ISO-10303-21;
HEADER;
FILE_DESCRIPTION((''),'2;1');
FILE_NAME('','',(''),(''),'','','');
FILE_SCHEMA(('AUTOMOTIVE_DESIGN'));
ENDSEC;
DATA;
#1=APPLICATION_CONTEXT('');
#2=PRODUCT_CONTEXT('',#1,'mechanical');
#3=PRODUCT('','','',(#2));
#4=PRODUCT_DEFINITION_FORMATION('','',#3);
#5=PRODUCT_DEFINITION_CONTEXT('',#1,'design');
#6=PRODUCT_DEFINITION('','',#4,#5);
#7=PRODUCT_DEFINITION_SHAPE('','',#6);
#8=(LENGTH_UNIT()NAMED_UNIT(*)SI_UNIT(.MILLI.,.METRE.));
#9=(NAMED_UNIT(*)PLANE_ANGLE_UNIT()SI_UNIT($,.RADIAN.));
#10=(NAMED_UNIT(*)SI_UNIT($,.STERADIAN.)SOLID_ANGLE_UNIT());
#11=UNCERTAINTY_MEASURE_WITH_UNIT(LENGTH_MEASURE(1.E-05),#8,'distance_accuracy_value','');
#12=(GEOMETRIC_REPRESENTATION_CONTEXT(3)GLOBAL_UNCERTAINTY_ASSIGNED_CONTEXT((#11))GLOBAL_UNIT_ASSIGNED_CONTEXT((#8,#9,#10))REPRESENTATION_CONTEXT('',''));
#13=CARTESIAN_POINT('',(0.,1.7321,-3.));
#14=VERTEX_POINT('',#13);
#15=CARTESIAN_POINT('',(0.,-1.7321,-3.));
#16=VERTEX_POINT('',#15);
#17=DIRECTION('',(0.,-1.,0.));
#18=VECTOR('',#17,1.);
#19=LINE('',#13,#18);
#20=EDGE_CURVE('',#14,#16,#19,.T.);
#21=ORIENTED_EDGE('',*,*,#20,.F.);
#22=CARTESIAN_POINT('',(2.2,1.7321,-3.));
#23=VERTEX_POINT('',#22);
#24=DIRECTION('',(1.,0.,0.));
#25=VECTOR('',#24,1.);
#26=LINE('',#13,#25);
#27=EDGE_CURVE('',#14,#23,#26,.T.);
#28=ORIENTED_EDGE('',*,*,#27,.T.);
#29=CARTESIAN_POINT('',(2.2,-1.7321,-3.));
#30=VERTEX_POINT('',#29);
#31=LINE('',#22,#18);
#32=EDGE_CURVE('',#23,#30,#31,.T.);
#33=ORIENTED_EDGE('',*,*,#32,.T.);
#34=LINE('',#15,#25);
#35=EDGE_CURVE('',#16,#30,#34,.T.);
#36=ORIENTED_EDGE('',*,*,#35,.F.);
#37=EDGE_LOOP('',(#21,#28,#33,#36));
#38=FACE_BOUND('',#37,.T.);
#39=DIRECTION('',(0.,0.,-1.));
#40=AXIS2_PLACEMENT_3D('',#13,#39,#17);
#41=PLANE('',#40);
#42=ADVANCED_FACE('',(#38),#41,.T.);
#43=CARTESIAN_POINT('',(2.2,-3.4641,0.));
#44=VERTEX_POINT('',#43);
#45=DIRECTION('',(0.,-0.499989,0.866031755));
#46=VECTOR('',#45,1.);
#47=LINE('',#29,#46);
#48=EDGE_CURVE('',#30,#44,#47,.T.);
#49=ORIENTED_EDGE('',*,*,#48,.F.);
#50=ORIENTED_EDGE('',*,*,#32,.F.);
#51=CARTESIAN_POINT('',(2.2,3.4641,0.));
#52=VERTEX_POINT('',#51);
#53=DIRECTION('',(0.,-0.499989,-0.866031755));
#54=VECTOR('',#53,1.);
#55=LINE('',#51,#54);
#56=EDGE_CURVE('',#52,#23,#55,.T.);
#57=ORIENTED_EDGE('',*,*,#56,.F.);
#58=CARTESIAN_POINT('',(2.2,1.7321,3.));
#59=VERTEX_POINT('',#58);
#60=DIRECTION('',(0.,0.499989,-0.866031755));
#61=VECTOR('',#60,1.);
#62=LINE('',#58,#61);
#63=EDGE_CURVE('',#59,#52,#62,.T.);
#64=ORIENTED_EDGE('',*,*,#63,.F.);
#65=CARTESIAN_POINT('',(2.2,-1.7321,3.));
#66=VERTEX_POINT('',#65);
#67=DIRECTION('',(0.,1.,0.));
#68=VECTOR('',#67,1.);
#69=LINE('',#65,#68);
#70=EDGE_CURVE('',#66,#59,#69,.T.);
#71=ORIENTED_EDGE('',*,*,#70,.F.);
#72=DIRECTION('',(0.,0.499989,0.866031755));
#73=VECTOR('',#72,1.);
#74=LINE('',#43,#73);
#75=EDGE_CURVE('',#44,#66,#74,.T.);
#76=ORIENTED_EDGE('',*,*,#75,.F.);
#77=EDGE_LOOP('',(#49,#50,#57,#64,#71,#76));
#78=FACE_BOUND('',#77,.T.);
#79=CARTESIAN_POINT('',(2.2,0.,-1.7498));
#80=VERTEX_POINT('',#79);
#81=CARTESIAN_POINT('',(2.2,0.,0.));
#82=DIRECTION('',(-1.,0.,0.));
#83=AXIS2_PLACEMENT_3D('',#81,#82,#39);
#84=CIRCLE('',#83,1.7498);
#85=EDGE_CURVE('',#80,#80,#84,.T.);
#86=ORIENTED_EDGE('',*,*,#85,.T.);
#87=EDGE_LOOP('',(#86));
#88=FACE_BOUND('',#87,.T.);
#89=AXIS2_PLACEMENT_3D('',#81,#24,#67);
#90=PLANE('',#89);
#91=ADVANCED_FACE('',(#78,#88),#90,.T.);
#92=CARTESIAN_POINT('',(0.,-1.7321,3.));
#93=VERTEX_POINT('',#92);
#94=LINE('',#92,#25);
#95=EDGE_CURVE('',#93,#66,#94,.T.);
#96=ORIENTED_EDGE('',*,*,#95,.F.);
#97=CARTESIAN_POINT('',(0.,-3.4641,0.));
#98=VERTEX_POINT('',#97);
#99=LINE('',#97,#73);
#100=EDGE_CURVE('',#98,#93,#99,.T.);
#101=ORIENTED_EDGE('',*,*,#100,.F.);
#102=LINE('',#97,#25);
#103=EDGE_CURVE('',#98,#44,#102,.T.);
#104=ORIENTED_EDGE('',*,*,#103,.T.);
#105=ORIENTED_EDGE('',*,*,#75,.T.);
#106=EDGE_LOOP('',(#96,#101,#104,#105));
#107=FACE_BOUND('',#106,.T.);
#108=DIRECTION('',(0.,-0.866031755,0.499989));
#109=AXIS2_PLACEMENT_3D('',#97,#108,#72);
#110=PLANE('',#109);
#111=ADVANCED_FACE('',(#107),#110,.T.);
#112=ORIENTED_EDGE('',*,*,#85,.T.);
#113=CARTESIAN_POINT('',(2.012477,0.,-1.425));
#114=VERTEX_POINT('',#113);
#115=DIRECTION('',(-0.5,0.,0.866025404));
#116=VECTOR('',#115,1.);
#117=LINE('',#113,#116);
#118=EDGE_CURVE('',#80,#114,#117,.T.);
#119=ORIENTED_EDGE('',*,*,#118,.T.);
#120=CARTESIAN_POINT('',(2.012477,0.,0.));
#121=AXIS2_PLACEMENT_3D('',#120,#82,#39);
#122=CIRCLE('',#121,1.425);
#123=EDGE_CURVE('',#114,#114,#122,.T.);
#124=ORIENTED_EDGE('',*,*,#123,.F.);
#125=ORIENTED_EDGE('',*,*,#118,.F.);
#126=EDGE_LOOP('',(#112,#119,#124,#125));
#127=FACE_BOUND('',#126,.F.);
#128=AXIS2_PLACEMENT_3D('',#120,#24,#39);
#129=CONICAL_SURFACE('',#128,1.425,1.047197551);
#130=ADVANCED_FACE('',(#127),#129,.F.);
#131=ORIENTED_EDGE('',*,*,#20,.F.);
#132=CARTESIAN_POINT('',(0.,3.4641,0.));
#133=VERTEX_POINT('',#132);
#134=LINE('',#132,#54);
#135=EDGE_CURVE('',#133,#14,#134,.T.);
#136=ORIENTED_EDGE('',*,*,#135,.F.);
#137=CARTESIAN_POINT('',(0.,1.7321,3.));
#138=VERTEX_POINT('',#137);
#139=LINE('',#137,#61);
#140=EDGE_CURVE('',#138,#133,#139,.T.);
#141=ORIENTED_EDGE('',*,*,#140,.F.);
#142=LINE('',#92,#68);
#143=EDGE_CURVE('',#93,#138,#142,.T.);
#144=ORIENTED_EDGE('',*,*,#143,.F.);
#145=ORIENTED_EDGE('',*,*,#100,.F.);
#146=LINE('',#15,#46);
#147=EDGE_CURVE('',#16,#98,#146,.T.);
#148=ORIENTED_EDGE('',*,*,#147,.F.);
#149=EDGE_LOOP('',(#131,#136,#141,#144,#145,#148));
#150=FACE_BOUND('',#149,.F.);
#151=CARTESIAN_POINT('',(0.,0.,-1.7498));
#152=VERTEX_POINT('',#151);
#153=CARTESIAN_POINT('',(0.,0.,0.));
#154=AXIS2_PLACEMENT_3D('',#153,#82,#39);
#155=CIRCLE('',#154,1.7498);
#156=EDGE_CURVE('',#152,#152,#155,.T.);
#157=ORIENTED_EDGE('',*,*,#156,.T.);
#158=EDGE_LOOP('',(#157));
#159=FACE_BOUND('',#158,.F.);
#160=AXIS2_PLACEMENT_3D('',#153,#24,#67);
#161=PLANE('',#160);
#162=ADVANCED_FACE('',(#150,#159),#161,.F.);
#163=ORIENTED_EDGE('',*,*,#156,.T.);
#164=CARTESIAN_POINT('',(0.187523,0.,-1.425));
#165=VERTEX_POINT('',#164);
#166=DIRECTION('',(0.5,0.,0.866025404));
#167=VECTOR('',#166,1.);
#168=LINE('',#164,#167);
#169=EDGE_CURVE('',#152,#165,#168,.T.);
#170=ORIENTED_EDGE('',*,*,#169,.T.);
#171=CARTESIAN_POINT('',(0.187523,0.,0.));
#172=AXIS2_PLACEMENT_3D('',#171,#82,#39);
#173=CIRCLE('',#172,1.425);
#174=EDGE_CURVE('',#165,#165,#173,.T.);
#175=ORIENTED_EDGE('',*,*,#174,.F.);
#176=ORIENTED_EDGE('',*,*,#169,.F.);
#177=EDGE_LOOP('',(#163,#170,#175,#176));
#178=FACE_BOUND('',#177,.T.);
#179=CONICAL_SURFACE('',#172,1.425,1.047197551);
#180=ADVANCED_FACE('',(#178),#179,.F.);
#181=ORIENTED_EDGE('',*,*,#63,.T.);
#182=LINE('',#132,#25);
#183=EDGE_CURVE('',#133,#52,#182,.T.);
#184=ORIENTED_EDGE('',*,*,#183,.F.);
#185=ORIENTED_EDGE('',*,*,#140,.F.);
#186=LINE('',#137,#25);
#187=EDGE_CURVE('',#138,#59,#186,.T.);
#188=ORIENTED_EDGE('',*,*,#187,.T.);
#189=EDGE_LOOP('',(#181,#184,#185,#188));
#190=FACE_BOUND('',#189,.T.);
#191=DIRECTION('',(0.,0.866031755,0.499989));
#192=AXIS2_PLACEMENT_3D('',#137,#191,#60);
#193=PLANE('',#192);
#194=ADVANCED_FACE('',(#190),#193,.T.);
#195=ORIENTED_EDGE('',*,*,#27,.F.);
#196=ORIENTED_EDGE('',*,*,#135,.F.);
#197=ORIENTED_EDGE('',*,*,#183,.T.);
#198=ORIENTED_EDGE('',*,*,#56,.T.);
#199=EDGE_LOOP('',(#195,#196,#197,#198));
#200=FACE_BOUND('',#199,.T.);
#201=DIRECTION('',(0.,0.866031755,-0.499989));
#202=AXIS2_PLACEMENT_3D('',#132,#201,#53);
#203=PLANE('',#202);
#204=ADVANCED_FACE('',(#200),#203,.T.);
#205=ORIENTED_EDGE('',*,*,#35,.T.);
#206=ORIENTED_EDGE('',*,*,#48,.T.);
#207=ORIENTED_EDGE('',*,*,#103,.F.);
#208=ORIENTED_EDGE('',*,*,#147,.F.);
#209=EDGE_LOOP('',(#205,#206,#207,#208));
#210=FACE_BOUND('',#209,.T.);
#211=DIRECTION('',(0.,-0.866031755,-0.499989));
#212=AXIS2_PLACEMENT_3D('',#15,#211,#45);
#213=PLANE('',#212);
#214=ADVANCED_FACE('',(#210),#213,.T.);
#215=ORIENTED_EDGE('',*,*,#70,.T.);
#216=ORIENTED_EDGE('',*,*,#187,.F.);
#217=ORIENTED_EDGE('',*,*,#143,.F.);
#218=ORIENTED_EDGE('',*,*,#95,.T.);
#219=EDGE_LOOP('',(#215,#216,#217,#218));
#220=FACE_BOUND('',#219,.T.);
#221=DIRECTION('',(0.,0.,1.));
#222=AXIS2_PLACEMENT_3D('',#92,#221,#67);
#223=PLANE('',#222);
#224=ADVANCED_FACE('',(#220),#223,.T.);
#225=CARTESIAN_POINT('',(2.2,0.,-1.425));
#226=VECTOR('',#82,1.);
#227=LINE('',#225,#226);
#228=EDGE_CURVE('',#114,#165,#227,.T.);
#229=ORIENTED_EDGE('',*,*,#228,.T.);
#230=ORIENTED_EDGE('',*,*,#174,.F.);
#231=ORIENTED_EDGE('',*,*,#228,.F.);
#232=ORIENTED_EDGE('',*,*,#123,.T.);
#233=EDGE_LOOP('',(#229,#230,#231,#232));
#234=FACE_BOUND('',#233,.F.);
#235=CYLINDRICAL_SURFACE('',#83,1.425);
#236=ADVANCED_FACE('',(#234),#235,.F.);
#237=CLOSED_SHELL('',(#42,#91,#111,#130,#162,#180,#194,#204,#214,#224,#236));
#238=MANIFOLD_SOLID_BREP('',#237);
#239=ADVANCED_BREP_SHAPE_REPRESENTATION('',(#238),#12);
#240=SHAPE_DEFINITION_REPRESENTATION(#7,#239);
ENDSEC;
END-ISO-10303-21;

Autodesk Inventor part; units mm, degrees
ref_plane "YZ Plane" through (0, 0, 0) normal (1, 0, 0) x (0, 1, 0)
ref_plane "XZ Plane" through (0, 0, 0) normal (0, 1, 0) x (-1, 0, 0)
sketch "Sketch1" plane through (0, 0, 0) normal (1, 0, 0) x (0, 1, 0)
  line L0 (1.7321, -3) -> (-1.7321, -3)
  line L1 (-1.7321, -3) -> (-3.4641, 0)
  line L2 (-3.4641, 0) -> (-1.7321, 3)
  line L3 (-1.7321, 3) -> (1.7321, 3)
  line L4 (1.7321, 3) -> (3.4641, 0)
  line L5 (3.4641, 0) -> (1.7321, -3)
  point P0 (0, 0)
  point P1 (0, 0)
  dimension "d0" = 6.9282
extrude "Body" add sketch "Sketch1" along normal blind 2.2
sketch "Sketch2" plane through (2.2, 0, 0) normal (1, 0, 0) x (0, 0, -1)
  point P0 (0, 0)
hole "Thread" at (2.2, 0, 0) direction (-1, 0, 0) diameter 2.85 end through all thread size "M3.5x0.6" class "6H" standard "ISO Metric profile"
chamfer "Chamfer2" distance 0.3248 angle 30 1 edges at (2.2, 0, 1.425) measured on face at (2.2, -2.123, -1.2698)
chamfer "Chamfer1" distance 0.3248 angle 30 1 edges at (0, 0, 1.425) measured on face at (0, -2.123, -1.2698)
ref_plane "Work Plane1" through (-7.2255, 0, 0) normal (0, 0, -1) x (1, 0, 0)
equation "\"d0\" = 1.1547 * SW"
equation "\"d1\" = KOH"
equation "\"d12\" = -0.5 * GD1 + 0.5 * NND"
equation "\"d19\" = -0.5 * GD1 + 0.5 * NND"
equation "\"d10\" = -0.5 * GD1 + 0.5 * NND"
equation "\"d18\" = -0.5 * GD1 + 0.5 * NND"
equation "\"NND\" = 3.5"
equation "\"KOH\" = 2.2"
equation "\"SW\" = 6"
equation "\"GUL\" = 0.541266 * PTC"
equation "\"THREADDIA\" = 3.5"
equation "\"TOA\" = 30deg"
equation "\"PTC\" = 0.6"
equation "\"E0\" = 1.155 * SW"
equation "\"GAL\" = 0.541266 * PTC"
equation "\"GD1\" = 2.850481"
properties part number "AS 1474 - M3.5" material "Steel, Mild"
